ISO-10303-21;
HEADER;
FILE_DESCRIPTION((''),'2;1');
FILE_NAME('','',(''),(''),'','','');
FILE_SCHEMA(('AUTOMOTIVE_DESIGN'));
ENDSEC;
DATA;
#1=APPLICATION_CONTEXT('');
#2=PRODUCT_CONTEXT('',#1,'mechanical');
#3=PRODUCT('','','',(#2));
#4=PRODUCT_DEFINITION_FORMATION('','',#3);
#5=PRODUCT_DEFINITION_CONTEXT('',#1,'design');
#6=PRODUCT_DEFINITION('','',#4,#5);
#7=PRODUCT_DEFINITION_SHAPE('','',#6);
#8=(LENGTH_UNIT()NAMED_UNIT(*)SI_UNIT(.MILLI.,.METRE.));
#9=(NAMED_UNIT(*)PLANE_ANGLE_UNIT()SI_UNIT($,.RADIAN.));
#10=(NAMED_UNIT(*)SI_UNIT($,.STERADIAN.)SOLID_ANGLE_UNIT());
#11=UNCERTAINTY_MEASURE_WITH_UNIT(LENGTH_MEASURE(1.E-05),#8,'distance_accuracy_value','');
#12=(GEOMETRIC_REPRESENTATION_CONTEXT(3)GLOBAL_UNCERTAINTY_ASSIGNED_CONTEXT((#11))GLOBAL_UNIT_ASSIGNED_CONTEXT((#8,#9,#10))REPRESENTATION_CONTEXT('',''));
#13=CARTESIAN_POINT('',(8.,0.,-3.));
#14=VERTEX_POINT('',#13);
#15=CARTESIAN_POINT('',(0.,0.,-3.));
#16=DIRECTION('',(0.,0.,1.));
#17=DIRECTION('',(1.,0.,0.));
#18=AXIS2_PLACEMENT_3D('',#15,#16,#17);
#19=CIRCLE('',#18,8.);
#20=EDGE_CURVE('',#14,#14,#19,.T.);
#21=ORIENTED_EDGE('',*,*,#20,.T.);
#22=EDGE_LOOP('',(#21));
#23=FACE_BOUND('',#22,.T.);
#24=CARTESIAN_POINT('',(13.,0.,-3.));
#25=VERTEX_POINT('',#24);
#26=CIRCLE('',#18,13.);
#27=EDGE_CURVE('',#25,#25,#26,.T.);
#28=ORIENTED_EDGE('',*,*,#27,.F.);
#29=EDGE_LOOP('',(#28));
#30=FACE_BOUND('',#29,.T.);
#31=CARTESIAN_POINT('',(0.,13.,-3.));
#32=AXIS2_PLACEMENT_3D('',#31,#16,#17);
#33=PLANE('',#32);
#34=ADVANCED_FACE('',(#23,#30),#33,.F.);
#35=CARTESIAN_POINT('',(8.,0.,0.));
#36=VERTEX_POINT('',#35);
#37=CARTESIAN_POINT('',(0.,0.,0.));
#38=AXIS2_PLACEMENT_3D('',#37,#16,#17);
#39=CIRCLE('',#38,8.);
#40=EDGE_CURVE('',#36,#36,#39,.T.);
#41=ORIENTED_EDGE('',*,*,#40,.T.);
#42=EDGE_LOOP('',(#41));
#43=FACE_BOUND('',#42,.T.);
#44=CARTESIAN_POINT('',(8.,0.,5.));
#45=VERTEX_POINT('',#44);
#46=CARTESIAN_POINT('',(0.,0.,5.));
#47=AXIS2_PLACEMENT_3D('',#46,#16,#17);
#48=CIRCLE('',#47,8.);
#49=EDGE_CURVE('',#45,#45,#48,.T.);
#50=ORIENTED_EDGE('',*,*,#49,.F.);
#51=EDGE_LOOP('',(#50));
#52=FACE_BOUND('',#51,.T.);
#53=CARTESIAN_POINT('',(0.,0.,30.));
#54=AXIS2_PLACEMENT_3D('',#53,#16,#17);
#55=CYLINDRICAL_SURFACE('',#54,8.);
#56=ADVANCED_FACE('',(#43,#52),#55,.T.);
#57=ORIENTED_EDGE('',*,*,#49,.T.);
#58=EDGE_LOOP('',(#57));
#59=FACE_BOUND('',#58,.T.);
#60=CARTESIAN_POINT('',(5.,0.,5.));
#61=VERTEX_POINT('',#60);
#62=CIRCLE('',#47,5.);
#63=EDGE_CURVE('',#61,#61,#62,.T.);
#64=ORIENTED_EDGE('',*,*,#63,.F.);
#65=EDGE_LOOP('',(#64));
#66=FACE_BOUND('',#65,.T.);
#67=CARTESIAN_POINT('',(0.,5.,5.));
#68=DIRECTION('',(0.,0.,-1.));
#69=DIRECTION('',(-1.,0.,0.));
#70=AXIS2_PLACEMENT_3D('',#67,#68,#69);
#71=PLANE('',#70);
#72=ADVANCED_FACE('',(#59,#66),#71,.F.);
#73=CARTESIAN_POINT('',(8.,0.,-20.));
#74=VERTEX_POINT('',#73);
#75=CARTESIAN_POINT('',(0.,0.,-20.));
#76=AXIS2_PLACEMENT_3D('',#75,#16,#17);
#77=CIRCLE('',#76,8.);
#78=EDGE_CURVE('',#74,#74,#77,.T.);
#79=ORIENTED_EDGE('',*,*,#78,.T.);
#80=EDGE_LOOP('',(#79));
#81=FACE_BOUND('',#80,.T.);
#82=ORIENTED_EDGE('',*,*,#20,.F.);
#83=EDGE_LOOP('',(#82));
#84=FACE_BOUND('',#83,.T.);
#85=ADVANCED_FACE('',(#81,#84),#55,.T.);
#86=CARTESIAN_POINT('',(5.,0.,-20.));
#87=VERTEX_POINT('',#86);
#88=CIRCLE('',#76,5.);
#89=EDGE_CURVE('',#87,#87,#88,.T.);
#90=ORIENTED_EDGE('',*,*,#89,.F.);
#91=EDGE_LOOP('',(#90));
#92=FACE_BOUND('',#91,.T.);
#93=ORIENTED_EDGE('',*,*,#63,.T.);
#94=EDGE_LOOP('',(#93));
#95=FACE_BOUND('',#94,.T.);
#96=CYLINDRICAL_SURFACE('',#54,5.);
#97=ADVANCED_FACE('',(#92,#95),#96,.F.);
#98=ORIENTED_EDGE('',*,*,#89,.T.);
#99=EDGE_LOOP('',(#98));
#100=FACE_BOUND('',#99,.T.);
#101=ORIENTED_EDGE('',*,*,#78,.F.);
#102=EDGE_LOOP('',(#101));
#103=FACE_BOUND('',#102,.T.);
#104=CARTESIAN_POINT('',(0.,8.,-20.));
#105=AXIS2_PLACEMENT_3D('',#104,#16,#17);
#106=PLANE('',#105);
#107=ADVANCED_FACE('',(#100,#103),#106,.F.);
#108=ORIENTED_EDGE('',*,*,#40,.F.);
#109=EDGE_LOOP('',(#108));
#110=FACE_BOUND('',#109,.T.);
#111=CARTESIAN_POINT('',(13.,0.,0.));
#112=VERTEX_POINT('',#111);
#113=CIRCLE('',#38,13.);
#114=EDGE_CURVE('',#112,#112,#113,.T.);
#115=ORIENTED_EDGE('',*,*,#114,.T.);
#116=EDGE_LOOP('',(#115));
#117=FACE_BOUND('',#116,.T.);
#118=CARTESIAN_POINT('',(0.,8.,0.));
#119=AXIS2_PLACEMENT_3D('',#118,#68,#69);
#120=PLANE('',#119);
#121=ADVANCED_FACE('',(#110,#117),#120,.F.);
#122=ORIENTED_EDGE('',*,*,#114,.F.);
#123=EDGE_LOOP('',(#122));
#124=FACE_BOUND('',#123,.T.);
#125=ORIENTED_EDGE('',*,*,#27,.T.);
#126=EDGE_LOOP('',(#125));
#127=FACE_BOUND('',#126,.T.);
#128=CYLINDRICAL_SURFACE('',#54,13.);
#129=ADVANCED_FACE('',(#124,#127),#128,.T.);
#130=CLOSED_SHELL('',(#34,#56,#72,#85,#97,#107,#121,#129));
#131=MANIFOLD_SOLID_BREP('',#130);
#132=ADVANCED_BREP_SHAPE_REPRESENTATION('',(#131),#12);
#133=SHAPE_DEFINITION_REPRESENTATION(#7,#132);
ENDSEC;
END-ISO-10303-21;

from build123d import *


with BuildPart() as part:
    # Sketch1 → Revolve1 (revolve)
    with BuildSketch(Plane(origin=(0, 0, 0), x_dir=(0, 0, -1), z_dir=(1, 0, 0)), mode=Mode.PRIVATE) as revolve1_sk:
        Polygon((-5, 5), (-5, 8), (0, 8), (0, 13), (3, 13), (3, 8), (20, 8), (20, 5), align=None)
    revolve(revolve1_sk.sketch.rotate(Axis((0, 0, 30), (0, 0, -1)), 90), axis=Axis((0, 0, 30), (0, 0, -1)))


solid = part.part
